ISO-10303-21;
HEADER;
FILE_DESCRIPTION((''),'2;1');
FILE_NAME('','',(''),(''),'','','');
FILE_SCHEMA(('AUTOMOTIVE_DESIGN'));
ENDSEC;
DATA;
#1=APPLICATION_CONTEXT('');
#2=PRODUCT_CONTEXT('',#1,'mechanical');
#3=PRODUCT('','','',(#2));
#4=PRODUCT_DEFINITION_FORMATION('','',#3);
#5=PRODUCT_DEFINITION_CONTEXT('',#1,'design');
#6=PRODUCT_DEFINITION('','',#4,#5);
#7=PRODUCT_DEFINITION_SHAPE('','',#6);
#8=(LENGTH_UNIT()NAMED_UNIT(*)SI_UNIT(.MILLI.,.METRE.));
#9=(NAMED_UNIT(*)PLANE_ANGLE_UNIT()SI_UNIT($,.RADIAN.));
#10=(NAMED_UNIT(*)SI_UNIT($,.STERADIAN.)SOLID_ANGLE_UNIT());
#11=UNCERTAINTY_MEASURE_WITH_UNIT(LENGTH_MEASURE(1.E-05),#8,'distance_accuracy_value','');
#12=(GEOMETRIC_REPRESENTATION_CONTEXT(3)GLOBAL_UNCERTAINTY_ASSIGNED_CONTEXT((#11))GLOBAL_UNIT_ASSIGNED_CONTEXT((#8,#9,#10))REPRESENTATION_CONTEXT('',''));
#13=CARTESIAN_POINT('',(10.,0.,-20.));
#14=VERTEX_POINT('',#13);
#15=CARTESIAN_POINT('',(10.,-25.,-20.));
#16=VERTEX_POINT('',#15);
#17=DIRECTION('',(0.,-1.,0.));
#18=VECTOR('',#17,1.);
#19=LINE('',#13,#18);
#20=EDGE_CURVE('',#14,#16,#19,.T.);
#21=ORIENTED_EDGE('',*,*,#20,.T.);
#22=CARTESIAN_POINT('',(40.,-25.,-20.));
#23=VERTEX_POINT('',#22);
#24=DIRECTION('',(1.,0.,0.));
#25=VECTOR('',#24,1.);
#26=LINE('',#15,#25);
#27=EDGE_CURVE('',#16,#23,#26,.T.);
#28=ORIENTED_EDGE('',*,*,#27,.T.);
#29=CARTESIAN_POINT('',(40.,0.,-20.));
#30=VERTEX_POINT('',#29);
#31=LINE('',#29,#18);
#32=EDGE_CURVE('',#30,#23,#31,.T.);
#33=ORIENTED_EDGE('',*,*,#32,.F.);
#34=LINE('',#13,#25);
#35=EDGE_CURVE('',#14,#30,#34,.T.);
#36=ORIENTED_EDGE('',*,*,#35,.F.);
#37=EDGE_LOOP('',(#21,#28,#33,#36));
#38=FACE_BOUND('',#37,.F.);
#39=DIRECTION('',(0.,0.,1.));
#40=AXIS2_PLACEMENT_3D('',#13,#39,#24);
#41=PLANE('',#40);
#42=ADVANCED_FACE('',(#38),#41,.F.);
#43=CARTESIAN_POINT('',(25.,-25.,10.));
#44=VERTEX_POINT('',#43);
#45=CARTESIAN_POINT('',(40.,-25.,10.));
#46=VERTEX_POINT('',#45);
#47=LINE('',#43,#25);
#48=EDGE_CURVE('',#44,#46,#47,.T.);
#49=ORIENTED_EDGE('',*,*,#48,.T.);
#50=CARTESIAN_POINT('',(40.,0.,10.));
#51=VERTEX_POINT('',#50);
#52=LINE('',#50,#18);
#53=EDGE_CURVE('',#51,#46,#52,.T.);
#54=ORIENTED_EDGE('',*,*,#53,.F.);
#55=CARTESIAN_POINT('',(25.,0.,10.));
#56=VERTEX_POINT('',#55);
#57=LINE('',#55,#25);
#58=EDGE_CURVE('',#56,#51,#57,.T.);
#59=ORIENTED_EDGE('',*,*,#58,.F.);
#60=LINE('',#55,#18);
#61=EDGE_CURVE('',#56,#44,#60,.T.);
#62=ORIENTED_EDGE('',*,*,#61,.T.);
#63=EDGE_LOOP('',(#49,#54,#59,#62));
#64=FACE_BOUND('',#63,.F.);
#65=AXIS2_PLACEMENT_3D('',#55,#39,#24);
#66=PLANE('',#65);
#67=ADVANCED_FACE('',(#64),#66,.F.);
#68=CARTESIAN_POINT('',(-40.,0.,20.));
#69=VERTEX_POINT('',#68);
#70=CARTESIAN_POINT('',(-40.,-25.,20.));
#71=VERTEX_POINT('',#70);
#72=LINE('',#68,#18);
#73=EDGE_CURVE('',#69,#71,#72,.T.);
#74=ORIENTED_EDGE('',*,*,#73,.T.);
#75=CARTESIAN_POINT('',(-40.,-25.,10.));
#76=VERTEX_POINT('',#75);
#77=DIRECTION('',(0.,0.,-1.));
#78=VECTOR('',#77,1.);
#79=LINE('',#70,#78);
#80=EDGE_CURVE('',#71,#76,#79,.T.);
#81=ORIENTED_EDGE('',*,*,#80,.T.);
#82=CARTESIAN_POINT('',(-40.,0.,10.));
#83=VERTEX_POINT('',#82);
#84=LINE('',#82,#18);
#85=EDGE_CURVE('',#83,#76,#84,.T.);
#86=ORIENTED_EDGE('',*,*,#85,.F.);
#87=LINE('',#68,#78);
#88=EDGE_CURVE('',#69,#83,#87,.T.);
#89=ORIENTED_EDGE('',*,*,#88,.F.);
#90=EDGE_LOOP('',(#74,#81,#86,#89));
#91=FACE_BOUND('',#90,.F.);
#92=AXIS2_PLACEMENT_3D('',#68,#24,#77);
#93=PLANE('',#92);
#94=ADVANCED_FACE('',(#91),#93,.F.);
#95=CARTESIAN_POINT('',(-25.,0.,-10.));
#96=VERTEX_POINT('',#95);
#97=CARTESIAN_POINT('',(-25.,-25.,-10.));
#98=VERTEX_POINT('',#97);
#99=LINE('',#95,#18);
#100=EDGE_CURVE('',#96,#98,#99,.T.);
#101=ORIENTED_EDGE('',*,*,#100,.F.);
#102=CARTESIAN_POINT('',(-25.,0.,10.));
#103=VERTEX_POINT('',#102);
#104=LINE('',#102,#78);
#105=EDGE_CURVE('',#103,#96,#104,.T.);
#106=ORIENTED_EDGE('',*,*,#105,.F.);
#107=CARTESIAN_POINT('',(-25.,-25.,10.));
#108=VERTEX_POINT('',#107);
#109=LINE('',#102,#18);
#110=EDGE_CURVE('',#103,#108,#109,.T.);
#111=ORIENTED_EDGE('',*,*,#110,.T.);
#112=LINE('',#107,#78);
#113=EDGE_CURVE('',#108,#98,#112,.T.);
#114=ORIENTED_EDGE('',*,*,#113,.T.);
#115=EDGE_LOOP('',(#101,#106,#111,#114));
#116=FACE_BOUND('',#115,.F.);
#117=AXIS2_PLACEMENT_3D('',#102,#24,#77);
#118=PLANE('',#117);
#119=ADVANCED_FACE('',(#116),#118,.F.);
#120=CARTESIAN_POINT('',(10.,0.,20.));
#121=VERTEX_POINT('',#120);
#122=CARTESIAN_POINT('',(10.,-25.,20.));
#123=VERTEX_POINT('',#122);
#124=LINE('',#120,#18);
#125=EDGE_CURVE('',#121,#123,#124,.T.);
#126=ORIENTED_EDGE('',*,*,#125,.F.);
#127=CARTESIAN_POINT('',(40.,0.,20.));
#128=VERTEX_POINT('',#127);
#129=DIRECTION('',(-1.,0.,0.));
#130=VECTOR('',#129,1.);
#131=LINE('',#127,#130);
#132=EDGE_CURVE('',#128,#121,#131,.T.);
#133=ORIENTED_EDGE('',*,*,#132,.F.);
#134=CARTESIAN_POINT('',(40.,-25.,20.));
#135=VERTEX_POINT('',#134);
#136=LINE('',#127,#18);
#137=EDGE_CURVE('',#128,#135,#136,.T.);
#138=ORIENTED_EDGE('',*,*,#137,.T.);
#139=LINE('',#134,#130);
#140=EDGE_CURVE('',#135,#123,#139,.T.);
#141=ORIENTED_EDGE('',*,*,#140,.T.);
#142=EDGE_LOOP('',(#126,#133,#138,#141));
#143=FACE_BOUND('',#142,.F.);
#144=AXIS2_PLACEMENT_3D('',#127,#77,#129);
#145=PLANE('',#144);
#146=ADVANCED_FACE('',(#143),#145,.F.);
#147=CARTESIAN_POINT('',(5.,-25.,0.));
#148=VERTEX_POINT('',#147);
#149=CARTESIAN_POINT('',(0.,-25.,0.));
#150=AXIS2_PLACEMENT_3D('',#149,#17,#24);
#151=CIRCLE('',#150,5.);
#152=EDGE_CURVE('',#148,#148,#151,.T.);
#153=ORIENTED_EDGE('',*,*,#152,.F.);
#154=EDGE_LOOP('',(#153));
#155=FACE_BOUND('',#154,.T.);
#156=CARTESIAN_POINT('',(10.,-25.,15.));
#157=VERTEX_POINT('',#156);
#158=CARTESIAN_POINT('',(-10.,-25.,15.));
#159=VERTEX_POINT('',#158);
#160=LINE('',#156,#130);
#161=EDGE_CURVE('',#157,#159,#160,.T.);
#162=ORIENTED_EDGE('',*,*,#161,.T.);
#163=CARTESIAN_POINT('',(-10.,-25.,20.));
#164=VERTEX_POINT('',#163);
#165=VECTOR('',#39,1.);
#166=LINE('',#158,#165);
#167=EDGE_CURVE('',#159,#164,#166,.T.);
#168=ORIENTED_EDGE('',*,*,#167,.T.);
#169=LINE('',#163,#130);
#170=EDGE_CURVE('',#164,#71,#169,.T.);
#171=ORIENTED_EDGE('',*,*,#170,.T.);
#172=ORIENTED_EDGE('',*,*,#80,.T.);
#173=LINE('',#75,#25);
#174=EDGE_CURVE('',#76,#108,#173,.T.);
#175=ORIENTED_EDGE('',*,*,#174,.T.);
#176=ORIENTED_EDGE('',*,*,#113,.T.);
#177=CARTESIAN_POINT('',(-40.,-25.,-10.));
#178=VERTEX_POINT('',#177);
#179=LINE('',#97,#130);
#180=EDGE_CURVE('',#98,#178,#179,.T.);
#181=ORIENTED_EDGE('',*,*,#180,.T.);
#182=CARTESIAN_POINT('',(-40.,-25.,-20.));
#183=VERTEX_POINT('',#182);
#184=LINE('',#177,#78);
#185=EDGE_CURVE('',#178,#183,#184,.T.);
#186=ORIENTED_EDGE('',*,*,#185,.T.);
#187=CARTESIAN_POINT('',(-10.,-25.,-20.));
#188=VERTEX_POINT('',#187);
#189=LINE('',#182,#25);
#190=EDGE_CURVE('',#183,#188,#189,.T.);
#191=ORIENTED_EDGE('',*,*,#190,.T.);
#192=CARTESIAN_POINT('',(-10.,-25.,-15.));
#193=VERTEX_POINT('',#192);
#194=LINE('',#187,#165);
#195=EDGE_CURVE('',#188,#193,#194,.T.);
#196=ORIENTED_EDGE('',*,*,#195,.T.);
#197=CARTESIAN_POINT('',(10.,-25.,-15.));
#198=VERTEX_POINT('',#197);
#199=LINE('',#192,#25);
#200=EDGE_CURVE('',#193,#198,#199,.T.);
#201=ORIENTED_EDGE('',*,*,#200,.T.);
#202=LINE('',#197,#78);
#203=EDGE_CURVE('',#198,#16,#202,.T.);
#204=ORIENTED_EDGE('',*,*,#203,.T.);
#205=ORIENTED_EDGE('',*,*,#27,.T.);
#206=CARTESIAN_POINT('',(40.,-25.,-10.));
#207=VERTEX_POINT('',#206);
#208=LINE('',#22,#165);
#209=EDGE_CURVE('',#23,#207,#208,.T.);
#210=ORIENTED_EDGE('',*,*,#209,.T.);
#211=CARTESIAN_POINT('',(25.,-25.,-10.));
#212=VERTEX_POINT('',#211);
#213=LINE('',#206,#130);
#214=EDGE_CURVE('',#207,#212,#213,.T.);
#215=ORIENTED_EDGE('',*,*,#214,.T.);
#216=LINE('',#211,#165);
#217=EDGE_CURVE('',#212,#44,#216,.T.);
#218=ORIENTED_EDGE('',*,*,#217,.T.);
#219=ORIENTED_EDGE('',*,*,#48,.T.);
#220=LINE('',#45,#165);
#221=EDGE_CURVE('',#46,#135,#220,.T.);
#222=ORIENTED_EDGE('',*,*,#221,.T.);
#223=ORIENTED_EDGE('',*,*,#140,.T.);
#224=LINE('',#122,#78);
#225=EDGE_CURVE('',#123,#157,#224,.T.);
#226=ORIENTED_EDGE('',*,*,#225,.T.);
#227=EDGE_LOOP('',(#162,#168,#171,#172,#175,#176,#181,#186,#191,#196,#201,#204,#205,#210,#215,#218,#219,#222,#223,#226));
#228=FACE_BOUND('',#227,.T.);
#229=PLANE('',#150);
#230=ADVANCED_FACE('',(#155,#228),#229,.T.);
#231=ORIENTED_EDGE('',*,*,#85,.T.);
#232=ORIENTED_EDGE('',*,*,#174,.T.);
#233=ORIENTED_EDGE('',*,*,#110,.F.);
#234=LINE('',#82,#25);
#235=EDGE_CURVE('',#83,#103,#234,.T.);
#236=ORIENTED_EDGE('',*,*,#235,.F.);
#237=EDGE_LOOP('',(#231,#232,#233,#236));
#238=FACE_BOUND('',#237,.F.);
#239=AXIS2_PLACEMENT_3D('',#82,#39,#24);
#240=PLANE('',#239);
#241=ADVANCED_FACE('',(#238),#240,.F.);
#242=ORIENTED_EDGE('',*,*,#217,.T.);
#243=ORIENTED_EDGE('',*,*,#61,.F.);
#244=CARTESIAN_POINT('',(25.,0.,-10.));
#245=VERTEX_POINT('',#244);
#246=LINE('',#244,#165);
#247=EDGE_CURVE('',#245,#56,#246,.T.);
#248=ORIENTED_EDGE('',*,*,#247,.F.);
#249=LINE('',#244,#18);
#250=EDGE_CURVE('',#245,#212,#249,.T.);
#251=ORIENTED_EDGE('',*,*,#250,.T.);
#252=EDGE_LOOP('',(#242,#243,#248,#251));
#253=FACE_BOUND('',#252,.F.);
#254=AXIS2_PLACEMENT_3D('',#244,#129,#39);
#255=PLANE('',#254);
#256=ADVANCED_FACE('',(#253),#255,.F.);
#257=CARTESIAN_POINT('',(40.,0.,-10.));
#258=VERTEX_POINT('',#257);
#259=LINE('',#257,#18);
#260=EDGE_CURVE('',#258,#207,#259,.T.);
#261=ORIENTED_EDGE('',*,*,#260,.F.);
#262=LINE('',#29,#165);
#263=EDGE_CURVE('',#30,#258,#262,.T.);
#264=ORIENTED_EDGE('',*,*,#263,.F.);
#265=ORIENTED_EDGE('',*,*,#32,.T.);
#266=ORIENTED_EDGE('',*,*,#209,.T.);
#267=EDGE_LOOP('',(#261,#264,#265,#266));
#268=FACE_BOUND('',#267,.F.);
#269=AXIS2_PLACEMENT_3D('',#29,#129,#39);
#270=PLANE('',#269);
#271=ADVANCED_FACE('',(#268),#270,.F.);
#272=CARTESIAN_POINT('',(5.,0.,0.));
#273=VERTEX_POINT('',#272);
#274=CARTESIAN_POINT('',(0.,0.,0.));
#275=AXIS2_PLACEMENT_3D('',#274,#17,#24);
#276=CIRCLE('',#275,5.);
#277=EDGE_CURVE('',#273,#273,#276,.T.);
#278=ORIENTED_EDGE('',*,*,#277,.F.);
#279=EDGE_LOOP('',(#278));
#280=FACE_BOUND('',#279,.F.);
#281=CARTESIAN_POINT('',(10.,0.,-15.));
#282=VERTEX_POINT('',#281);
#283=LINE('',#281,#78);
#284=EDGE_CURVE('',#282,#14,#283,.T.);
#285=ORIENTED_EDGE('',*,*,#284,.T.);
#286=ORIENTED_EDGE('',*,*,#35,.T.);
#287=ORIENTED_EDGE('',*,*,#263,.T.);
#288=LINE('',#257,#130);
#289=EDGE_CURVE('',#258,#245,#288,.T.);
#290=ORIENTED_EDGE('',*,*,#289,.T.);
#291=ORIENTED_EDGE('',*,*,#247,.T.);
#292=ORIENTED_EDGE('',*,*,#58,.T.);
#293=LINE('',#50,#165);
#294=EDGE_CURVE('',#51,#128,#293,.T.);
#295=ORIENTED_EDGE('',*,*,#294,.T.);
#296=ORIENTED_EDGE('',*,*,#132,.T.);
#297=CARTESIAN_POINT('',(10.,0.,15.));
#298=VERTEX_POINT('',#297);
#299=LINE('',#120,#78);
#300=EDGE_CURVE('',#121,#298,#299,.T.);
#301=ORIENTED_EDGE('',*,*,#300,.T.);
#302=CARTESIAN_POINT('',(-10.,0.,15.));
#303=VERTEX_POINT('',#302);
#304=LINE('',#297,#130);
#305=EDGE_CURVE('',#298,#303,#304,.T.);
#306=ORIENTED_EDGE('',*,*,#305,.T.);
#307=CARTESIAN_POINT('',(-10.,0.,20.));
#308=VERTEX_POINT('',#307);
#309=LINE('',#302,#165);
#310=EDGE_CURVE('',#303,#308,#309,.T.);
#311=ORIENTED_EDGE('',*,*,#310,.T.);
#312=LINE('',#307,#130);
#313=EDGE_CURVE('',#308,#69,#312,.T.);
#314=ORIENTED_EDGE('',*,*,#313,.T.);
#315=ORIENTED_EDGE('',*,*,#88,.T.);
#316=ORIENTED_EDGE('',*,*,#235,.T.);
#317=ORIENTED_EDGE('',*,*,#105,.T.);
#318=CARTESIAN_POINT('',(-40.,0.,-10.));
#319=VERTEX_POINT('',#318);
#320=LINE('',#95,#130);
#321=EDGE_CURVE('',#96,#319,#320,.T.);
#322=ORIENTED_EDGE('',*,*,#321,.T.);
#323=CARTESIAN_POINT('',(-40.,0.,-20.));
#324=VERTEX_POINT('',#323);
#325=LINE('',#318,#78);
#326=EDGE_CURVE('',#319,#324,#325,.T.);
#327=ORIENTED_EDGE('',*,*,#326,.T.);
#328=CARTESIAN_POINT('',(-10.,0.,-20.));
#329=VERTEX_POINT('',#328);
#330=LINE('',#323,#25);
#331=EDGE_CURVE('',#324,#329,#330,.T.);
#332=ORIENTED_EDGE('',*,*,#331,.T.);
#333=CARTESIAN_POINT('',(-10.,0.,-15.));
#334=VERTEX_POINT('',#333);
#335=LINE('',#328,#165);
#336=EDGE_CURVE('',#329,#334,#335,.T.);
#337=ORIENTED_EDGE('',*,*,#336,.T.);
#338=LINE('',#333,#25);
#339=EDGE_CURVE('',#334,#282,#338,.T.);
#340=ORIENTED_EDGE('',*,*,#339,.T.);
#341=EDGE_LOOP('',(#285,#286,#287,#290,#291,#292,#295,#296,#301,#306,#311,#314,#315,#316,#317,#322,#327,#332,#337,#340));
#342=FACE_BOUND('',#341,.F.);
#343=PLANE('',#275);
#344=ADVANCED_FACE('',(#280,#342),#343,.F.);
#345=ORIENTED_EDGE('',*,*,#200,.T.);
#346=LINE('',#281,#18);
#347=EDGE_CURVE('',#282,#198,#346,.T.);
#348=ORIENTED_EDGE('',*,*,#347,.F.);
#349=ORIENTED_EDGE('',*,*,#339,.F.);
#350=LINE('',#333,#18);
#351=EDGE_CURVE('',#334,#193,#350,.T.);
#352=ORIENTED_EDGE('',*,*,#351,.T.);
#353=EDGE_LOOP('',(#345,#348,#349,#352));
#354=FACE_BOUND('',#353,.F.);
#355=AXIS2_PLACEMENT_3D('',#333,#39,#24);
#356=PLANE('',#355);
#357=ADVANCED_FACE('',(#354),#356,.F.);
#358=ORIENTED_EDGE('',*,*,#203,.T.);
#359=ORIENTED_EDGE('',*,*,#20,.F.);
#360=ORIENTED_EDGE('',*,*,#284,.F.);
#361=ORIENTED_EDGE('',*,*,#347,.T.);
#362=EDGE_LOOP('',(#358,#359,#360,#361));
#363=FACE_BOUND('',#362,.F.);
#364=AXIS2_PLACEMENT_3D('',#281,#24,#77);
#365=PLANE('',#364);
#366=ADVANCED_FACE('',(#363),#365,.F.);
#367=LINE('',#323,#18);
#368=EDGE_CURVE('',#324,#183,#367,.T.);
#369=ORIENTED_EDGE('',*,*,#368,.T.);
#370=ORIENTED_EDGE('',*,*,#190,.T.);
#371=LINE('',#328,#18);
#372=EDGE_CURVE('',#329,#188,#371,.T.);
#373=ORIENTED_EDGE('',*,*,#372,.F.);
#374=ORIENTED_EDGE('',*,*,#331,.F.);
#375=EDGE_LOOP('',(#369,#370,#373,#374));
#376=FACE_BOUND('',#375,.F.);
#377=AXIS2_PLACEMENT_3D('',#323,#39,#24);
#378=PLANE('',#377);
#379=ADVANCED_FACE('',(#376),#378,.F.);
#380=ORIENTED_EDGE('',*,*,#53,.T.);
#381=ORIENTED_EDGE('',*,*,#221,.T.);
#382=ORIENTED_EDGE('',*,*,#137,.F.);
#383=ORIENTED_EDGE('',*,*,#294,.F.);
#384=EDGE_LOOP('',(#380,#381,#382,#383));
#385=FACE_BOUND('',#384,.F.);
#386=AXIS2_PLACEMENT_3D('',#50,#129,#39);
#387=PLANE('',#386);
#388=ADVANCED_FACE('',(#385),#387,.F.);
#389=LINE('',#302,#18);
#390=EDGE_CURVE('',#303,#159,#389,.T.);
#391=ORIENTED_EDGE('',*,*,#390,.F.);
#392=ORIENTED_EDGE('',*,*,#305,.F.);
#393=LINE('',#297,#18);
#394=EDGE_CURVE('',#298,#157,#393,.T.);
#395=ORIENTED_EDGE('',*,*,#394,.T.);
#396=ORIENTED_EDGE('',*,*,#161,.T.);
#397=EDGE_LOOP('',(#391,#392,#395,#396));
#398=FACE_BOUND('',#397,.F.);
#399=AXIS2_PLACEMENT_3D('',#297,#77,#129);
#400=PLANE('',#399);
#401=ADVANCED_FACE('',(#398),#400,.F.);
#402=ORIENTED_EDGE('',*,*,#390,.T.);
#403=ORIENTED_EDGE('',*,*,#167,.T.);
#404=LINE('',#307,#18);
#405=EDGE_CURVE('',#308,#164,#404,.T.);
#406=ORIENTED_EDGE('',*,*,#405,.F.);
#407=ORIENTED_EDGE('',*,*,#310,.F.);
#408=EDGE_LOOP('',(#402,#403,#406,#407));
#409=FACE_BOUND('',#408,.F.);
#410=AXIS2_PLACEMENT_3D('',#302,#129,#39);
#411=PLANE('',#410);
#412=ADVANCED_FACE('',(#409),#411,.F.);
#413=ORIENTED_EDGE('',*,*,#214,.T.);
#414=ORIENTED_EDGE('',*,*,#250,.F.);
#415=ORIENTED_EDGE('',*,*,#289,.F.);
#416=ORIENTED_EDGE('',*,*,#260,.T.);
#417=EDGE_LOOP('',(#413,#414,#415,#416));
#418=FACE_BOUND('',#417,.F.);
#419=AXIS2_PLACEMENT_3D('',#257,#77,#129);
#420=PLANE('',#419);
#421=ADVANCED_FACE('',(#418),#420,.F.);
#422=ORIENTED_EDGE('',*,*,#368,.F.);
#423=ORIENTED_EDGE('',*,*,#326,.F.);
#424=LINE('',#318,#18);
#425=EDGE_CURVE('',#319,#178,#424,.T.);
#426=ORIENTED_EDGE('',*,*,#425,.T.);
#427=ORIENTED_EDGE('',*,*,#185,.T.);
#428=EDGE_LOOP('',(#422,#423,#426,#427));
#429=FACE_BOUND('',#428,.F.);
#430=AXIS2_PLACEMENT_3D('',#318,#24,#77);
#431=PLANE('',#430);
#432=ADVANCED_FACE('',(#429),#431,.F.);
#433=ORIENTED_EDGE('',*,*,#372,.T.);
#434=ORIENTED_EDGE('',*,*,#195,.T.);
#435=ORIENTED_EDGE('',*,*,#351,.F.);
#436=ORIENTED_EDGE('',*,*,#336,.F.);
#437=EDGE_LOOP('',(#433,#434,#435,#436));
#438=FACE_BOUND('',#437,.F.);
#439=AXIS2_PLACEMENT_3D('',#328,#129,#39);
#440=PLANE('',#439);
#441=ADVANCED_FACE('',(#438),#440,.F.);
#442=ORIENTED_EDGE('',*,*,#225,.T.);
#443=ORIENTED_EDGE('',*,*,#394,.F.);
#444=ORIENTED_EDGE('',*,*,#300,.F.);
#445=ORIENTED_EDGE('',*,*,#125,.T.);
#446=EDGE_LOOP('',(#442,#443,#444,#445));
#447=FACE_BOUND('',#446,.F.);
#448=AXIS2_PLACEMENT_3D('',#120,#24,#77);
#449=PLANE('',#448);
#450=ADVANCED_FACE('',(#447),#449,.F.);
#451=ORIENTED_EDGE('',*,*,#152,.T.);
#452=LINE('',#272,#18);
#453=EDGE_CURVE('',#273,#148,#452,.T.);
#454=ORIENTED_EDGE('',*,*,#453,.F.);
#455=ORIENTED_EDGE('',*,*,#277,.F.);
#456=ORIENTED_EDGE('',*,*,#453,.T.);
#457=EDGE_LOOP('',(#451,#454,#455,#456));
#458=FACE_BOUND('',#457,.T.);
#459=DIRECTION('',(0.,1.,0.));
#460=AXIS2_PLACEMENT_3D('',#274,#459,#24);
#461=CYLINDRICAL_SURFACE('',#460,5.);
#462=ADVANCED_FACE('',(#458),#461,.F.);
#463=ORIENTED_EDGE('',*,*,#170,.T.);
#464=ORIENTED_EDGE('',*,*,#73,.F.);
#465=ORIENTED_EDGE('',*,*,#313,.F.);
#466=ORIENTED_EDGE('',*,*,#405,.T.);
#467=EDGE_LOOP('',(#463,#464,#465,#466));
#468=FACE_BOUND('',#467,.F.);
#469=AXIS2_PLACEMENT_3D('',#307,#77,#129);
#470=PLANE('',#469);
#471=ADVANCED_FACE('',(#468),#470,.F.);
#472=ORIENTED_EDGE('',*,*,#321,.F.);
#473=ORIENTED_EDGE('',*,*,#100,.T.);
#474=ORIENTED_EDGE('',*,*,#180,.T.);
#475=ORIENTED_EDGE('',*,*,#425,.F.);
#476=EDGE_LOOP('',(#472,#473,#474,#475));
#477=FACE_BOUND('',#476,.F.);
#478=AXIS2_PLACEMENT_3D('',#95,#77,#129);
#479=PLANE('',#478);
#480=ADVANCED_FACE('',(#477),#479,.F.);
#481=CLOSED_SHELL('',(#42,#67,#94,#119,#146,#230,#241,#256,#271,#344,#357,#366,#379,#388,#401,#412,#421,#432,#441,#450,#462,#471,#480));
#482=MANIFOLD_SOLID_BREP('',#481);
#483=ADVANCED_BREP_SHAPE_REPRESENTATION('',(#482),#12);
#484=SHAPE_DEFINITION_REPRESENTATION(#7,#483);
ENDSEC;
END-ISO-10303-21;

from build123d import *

# Parameters (mm, degrees)
F0_R     = 5
F1_DEPTH = 25


with BuildPart() as f1:
    # F0 (on Front) → F1 (new body)
    with BuildSketch(Plane.XZ):
        Polygon((-10, -15), (10, -15), (10, -20), (40, -20), (40, -10), (25, -10), (25, 10), (40, 10), (40, 20), (10, 20), (10, 15), (-10, 15), (-10, 20), (-40, 20), (-40, 10), (-25, 10), (-25, -10), (-40, -10), (-40, -20), (-10, -20), align=None)
        Circle(F0_R, mode=Mode.SUBTRACT)
    extrude(amount=F1_DEPTH)


solid = f1.part
